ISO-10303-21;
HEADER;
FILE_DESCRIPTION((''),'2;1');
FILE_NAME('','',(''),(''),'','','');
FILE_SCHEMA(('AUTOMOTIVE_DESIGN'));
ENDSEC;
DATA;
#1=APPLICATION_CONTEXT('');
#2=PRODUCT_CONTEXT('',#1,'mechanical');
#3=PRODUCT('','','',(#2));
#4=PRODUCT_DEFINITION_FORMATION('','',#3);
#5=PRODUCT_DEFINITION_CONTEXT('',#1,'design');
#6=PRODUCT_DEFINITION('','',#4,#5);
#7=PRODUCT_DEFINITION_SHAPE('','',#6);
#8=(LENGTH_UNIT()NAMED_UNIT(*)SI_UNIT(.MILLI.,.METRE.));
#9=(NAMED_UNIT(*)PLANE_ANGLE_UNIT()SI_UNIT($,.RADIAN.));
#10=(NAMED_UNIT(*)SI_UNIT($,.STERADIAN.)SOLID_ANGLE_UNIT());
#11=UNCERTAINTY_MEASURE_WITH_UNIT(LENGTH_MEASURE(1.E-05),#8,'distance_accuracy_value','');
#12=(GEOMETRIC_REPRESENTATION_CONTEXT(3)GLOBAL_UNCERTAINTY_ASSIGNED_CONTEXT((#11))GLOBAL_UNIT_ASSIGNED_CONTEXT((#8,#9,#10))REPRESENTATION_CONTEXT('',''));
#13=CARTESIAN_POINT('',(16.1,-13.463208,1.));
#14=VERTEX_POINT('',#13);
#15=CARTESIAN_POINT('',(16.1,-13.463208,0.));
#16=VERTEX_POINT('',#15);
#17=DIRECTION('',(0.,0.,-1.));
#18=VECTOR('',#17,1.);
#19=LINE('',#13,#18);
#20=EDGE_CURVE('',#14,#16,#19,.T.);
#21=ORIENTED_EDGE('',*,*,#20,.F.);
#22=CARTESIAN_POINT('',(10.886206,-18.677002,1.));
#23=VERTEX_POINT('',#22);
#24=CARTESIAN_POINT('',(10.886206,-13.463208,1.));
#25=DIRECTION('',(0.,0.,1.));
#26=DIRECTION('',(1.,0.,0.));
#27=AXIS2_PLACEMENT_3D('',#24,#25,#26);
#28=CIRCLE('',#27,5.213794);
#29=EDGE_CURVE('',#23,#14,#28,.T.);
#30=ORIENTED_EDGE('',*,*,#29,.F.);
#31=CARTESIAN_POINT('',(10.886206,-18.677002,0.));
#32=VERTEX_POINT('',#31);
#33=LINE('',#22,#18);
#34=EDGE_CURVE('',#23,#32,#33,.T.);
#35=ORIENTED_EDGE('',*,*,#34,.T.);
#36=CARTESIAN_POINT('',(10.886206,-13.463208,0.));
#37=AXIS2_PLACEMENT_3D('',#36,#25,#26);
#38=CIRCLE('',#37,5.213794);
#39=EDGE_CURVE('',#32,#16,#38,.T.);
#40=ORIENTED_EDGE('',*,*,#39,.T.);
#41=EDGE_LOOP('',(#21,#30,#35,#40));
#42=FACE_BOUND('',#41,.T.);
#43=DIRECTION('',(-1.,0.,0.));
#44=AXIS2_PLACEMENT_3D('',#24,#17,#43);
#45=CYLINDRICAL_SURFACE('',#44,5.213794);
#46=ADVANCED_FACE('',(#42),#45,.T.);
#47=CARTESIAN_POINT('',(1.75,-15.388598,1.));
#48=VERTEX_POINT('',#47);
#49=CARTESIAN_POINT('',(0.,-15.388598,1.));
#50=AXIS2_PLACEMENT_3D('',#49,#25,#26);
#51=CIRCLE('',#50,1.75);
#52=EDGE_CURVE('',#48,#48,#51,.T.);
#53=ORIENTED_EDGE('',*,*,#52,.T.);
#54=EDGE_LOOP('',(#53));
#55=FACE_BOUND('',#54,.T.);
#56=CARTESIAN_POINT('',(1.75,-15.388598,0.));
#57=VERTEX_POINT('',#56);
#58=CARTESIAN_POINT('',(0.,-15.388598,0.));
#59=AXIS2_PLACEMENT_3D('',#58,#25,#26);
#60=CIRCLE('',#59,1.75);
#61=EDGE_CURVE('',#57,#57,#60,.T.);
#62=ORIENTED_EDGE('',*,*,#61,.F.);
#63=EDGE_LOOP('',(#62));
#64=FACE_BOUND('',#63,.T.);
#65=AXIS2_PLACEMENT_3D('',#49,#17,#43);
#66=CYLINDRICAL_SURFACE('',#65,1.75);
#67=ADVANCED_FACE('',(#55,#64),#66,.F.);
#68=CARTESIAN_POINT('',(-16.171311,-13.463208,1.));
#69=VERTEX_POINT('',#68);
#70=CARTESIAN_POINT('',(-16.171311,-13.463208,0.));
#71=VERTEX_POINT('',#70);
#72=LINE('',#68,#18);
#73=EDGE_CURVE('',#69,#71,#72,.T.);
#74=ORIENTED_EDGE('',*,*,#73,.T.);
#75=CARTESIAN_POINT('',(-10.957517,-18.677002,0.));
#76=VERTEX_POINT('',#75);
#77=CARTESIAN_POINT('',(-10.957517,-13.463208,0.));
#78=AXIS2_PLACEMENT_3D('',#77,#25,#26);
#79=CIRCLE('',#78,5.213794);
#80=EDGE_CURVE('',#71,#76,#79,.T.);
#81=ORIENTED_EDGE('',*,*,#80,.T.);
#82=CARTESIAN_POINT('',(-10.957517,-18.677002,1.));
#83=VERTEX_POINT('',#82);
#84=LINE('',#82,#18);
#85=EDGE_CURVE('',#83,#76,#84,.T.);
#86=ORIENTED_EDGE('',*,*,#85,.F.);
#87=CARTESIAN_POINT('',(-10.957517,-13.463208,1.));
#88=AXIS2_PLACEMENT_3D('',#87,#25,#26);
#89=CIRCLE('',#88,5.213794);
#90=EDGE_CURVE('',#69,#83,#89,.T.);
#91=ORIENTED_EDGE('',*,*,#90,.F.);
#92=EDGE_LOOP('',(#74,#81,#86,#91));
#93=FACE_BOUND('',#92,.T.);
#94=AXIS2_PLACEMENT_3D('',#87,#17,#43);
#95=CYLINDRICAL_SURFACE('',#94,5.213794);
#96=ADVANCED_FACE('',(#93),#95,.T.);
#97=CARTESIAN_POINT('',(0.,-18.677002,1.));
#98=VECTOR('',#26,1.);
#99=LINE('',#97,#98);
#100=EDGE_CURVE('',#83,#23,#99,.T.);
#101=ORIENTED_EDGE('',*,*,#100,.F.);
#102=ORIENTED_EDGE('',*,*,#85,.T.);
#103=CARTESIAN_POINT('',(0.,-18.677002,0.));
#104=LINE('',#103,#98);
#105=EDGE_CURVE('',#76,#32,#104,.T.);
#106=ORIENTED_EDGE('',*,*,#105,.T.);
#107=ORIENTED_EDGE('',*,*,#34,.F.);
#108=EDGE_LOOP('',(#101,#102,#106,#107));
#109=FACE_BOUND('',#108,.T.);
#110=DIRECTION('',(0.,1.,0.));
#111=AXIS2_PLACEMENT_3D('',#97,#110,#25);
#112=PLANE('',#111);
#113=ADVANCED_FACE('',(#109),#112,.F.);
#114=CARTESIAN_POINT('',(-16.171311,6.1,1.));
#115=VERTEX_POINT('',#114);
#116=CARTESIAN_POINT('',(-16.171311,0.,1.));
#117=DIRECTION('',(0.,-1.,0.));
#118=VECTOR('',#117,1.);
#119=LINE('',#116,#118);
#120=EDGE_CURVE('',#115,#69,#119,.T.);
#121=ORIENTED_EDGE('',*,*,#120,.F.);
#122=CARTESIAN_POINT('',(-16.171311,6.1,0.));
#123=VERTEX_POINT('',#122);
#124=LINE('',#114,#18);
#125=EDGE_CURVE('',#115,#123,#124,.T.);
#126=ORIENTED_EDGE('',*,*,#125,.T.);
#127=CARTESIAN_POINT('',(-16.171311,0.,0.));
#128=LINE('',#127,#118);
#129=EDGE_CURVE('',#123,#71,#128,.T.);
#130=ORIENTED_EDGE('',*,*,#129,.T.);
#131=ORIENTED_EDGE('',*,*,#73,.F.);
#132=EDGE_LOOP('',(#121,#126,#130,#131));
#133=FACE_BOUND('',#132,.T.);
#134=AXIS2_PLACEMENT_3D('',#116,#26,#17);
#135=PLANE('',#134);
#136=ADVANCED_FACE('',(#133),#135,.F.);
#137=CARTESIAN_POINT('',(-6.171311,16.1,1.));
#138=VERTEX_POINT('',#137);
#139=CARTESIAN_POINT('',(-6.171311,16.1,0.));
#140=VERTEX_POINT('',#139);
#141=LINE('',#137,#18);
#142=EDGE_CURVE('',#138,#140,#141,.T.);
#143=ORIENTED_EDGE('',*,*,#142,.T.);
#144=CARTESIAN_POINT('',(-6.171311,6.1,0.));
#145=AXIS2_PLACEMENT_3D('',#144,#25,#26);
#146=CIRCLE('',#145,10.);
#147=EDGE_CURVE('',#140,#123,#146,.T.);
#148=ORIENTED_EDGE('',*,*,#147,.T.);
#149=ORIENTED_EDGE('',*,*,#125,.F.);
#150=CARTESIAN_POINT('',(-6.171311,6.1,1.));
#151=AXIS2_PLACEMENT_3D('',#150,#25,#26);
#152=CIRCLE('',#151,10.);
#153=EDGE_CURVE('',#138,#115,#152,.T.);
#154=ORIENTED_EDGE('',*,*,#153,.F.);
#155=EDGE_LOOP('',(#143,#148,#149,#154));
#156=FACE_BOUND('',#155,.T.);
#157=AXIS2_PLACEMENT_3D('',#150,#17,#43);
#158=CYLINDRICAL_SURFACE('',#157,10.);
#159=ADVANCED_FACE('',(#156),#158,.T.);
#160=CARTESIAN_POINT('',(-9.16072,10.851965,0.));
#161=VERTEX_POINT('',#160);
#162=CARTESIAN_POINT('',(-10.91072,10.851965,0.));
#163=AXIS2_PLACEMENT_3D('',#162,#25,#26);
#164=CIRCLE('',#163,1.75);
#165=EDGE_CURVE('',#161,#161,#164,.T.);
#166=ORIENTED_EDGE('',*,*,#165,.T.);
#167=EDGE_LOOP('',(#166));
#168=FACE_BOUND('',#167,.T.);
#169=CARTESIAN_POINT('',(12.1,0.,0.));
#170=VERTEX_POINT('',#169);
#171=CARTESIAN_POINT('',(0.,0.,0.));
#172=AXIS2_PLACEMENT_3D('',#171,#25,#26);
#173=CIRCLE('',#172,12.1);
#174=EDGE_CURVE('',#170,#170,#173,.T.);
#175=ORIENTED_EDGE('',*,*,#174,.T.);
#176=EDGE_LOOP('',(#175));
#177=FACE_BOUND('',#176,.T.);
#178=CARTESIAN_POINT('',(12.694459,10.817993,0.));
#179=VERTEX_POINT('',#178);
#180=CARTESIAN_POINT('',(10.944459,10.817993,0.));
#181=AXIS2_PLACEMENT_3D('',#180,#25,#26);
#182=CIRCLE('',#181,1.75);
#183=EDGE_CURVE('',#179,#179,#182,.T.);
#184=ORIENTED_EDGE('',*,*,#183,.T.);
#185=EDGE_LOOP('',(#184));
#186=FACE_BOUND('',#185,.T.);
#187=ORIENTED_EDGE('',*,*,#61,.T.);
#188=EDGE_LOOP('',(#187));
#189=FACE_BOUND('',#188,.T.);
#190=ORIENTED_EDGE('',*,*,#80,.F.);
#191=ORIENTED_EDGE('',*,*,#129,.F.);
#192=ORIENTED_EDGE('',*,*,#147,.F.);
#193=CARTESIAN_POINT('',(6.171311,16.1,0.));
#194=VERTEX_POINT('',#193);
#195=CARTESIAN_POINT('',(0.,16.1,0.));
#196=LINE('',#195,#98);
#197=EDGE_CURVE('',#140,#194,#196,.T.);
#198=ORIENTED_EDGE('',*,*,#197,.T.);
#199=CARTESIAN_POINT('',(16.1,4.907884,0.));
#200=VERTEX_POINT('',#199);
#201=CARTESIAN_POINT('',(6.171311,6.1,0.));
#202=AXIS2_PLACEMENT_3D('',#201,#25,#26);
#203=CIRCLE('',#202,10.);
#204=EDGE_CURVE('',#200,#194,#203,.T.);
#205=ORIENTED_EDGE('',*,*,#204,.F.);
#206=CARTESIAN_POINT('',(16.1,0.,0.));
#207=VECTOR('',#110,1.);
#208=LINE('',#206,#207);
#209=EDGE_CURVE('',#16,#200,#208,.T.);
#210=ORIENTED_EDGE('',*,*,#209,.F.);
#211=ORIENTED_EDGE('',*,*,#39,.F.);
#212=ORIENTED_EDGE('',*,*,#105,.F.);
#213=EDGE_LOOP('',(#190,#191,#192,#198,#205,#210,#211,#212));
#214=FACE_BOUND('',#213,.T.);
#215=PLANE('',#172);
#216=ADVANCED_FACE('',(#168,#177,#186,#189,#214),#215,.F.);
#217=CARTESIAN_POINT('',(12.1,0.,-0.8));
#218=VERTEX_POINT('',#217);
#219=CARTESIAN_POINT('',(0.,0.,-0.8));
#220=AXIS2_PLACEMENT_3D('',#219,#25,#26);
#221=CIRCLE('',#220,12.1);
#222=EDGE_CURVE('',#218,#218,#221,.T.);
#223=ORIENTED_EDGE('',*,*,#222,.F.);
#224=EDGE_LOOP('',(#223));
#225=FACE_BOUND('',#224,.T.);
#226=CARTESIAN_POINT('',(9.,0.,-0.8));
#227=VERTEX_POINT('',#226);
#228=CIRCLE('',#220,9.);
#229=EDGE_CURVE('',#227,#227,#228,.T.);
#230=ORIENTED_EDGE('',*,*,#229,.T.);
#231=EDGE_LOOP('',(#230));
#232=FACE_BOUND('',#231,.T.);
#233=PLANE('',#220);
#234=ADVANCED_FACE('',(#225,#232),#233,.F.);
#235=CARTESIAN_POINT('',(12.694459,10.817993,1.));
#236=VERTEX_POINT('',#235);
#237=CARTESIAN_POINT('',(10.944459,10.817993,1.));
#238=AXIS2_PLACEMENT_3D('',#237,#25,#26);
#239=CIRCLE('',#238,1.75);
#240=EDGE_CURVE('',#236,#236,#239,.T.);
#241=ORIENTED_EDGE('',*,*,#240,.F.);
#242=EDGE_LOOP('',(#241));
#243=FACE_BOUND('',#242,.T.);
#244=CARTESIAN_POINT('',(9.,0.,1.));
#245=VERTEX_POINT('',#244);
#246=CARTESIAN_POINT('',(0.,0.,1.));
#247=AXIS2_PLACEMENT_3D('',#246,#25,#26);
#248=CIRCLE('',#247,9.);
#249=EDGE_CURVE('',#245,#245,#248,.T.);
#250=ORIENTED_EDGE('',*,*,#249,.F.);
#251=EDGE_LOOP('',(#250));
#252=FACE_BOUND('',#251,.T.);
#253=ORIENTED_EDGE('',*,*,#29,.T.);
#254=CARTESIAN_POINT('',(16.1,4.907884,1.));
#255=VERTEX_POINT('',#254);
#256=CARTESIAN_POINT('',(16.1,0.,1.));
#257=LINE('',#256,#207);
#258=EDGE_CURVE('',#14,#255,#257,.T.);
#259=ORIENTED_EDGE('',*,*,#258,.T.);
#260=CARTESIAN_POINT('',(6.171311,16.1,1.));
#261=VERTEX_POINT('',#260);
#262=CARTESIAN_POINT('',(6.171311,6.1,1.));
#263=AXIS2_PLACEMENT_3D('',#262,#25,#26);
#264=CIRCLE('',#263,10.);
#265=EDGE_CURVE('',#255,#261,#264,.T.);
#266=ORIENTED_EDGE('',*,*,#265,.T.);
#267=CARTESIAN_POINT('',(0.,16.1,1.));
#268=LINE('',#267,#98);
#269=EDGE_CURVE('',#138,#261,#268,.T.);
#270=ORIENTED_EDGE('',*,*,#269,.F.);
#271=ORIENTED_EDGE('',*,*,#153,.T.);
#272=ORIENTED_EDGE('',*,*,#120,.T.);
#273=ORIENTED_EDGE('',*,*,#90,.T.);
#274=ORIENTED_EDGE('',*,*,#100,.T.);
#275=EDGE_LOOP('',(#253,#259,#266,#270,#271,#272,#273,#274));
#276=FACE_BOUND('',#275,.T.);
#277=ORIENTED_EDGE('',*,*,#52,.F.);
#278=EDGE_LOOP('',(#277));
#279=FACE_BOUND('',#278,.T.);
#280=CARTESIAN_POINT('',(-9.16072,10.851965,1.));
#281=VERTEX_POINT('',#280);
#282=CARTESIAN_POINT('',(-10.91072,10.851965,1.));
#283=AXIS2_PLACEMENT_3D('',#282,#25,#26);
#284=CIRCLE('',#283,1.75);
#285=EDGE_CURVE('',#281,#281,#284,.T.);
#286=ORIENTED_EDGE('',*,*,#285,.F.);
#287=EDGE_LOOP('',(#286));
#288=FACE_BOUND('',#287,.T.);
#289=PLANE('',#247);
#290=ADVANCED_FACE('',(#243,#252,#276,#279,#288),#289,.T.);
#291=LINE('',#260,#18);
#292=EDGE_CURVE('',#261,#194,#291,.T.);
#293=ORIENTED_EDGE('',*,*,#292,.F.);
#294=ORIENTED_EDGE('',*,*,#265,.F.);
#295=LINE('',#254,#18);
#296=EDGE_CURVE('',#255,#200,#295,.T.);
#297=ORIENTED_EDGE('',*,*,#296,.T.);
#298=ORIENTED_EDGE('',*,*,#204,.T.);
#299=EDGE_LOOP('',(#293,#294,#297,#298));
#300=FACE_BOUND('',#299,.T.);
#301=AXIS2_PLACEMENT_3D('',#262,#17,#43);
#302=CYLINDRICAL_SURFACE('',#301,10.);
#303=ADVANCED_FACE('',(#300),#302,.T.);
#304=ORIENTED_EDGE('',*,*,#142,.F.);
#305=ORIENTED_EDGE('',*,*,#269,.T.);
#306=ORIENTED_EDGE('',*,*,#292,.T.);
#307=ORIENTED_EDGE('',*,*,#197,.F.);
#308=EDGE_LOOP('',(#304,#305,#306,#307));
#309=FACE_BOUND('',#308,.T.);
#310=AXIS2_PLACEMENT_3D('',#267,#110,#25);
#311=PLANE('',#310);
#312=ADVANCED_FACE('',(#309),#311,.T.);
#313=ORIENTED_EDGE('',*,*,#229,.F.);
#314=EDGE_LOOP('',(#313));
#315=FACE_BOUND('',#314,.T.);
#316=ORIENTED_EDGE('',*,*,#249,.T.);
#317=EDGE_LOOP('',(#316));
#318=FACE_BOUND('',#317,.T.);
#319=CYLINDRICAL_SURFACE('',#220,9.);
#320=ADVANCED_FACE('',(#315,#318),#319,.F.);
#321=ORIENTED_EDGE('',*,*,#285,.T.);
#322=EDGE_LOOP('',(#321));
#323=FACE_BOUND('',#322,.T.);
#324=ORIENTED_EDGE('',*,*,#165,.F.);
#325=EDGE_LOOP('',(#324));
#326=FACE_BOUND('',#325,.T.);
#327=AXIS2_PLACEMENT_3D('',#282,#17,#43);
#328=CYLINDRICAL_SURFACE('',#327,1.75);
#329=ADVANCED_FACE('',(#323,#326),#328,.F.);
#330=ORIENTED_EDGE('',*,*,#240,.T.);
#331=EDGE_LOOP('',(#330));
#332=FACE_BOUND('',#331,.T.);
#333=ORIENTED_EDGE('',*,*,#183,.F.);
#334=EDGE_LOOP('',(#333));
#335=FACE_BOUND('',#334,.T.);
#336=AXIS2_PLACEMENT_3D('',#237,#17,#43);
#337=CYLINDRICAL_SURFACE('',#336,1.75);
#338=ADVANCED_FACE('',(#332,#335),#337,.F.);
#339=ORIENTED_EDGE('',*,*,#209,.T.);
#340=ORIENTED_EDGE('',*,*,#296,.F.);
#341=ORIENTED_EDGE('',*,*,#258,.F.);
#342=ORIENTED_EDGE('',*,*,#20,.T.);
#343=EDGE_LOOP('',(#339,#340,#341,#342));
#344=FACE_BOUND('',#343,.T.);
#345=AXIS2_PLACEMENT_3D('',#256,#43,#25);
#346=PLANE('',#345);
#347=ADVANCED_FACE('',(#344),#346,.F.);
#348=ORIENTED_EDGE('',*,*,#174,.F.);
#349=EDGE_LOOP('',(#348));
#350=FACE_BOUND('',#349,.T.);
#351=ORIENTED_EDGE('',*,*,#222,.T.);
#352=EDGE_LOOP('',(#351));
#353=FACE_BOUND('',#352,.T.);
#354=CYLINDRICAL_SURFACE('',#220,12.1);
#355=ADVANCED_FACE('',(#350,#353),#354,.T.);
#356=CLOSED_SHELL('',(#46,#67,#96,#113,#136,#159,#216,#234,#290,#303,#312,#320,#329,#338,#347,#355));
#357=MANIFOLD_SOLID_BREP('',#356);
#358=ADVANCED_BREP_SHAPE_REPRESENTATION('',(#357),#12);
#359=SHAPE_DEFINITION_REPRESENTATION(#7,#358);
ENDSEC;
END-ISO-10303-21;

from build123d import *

# Parameters (mm, degrees)
SCHIZZO1_R                   = 1.75
SCHIZZO1_R_2                 = 12.1
ESTRUSIONE_ESTRUSIONE1_DEPTH = 1
ESTRUSIONE_ESTRUSIONE2_START = -1.8
SCHIZZO2_R                   = 12.1
SCHIZZO2_R_2                 = 9
ESTRUSIONE_ESTRUSIONE2_DEPTH = 1.8


with BuildPart() as part:
    # Schizzo1 → Estrusione-Estrusione1 (new body)
    with BuildSketch(Plane.XY):
        with BuildLine():
            Line((-10.957517396, -18.677002221), (10.886206072, -18.677002221))
            ThreePointArc((10.886206072, -18.677002221), (14.572915114, -17.149917336), (16.1, -13.463208293))
            Line((16.1, -13.463208293), (16.1, 4.907883736))
            ThreePointArc((16.1, 4.907883736), (13.651991863, 12.73622021), (6.171311325, 16.1))
            Line((6.171311325, 16.1), (-6.171311325, 16.1))
            ThreePointArc((-6.171311325, 16.1), (-13.242379137, 13.171067812), (-16.171311325, 6.1))
            Line((-16.171311325, 6.1), (-16.171311325, -13.463208293))
            ThreePointArc((-16.171311325, -13.463208293), (-14.644226439, -17.149917336), (-10.957517396, -18.677002221))
        make_face()
        with Locations((0, -15.38859776)):
            Circle(SCHIZZO1_R, mode=Mode.SUBTRACT)
        with Locations((10.944459062, 10.817992606)):
            Circle(SCHIZZO1_R, mode=Mode.SUBTRACT)
        with Locations((-10.910719744, 10.851964601)):
            Circle(SCHIZZO1_R, mode=Mode.SUBTRACT)
        Circle(SCHIZZO1_R_2, mode=Mode.SUBTRACT)
    extrude(amount=ESTRUSIONE_ESTRUSIONE1_DEPTH)

    # Schizzo2 → Estrusione-Estrusione2 (add)
    with BuildSketch(Plane.XY.offset(1).offset(ESTRUSIONE_ESTRUSIONE2_START)):
        Circle(SCHIZZO2_R)
        Circle(SCHIZZO2_R_2, mode=Mode.SUBTRACT)
    extrude(amount=ESTRUSIONE_ESTRUSIONE2_DEPTH)


solid = part.part
